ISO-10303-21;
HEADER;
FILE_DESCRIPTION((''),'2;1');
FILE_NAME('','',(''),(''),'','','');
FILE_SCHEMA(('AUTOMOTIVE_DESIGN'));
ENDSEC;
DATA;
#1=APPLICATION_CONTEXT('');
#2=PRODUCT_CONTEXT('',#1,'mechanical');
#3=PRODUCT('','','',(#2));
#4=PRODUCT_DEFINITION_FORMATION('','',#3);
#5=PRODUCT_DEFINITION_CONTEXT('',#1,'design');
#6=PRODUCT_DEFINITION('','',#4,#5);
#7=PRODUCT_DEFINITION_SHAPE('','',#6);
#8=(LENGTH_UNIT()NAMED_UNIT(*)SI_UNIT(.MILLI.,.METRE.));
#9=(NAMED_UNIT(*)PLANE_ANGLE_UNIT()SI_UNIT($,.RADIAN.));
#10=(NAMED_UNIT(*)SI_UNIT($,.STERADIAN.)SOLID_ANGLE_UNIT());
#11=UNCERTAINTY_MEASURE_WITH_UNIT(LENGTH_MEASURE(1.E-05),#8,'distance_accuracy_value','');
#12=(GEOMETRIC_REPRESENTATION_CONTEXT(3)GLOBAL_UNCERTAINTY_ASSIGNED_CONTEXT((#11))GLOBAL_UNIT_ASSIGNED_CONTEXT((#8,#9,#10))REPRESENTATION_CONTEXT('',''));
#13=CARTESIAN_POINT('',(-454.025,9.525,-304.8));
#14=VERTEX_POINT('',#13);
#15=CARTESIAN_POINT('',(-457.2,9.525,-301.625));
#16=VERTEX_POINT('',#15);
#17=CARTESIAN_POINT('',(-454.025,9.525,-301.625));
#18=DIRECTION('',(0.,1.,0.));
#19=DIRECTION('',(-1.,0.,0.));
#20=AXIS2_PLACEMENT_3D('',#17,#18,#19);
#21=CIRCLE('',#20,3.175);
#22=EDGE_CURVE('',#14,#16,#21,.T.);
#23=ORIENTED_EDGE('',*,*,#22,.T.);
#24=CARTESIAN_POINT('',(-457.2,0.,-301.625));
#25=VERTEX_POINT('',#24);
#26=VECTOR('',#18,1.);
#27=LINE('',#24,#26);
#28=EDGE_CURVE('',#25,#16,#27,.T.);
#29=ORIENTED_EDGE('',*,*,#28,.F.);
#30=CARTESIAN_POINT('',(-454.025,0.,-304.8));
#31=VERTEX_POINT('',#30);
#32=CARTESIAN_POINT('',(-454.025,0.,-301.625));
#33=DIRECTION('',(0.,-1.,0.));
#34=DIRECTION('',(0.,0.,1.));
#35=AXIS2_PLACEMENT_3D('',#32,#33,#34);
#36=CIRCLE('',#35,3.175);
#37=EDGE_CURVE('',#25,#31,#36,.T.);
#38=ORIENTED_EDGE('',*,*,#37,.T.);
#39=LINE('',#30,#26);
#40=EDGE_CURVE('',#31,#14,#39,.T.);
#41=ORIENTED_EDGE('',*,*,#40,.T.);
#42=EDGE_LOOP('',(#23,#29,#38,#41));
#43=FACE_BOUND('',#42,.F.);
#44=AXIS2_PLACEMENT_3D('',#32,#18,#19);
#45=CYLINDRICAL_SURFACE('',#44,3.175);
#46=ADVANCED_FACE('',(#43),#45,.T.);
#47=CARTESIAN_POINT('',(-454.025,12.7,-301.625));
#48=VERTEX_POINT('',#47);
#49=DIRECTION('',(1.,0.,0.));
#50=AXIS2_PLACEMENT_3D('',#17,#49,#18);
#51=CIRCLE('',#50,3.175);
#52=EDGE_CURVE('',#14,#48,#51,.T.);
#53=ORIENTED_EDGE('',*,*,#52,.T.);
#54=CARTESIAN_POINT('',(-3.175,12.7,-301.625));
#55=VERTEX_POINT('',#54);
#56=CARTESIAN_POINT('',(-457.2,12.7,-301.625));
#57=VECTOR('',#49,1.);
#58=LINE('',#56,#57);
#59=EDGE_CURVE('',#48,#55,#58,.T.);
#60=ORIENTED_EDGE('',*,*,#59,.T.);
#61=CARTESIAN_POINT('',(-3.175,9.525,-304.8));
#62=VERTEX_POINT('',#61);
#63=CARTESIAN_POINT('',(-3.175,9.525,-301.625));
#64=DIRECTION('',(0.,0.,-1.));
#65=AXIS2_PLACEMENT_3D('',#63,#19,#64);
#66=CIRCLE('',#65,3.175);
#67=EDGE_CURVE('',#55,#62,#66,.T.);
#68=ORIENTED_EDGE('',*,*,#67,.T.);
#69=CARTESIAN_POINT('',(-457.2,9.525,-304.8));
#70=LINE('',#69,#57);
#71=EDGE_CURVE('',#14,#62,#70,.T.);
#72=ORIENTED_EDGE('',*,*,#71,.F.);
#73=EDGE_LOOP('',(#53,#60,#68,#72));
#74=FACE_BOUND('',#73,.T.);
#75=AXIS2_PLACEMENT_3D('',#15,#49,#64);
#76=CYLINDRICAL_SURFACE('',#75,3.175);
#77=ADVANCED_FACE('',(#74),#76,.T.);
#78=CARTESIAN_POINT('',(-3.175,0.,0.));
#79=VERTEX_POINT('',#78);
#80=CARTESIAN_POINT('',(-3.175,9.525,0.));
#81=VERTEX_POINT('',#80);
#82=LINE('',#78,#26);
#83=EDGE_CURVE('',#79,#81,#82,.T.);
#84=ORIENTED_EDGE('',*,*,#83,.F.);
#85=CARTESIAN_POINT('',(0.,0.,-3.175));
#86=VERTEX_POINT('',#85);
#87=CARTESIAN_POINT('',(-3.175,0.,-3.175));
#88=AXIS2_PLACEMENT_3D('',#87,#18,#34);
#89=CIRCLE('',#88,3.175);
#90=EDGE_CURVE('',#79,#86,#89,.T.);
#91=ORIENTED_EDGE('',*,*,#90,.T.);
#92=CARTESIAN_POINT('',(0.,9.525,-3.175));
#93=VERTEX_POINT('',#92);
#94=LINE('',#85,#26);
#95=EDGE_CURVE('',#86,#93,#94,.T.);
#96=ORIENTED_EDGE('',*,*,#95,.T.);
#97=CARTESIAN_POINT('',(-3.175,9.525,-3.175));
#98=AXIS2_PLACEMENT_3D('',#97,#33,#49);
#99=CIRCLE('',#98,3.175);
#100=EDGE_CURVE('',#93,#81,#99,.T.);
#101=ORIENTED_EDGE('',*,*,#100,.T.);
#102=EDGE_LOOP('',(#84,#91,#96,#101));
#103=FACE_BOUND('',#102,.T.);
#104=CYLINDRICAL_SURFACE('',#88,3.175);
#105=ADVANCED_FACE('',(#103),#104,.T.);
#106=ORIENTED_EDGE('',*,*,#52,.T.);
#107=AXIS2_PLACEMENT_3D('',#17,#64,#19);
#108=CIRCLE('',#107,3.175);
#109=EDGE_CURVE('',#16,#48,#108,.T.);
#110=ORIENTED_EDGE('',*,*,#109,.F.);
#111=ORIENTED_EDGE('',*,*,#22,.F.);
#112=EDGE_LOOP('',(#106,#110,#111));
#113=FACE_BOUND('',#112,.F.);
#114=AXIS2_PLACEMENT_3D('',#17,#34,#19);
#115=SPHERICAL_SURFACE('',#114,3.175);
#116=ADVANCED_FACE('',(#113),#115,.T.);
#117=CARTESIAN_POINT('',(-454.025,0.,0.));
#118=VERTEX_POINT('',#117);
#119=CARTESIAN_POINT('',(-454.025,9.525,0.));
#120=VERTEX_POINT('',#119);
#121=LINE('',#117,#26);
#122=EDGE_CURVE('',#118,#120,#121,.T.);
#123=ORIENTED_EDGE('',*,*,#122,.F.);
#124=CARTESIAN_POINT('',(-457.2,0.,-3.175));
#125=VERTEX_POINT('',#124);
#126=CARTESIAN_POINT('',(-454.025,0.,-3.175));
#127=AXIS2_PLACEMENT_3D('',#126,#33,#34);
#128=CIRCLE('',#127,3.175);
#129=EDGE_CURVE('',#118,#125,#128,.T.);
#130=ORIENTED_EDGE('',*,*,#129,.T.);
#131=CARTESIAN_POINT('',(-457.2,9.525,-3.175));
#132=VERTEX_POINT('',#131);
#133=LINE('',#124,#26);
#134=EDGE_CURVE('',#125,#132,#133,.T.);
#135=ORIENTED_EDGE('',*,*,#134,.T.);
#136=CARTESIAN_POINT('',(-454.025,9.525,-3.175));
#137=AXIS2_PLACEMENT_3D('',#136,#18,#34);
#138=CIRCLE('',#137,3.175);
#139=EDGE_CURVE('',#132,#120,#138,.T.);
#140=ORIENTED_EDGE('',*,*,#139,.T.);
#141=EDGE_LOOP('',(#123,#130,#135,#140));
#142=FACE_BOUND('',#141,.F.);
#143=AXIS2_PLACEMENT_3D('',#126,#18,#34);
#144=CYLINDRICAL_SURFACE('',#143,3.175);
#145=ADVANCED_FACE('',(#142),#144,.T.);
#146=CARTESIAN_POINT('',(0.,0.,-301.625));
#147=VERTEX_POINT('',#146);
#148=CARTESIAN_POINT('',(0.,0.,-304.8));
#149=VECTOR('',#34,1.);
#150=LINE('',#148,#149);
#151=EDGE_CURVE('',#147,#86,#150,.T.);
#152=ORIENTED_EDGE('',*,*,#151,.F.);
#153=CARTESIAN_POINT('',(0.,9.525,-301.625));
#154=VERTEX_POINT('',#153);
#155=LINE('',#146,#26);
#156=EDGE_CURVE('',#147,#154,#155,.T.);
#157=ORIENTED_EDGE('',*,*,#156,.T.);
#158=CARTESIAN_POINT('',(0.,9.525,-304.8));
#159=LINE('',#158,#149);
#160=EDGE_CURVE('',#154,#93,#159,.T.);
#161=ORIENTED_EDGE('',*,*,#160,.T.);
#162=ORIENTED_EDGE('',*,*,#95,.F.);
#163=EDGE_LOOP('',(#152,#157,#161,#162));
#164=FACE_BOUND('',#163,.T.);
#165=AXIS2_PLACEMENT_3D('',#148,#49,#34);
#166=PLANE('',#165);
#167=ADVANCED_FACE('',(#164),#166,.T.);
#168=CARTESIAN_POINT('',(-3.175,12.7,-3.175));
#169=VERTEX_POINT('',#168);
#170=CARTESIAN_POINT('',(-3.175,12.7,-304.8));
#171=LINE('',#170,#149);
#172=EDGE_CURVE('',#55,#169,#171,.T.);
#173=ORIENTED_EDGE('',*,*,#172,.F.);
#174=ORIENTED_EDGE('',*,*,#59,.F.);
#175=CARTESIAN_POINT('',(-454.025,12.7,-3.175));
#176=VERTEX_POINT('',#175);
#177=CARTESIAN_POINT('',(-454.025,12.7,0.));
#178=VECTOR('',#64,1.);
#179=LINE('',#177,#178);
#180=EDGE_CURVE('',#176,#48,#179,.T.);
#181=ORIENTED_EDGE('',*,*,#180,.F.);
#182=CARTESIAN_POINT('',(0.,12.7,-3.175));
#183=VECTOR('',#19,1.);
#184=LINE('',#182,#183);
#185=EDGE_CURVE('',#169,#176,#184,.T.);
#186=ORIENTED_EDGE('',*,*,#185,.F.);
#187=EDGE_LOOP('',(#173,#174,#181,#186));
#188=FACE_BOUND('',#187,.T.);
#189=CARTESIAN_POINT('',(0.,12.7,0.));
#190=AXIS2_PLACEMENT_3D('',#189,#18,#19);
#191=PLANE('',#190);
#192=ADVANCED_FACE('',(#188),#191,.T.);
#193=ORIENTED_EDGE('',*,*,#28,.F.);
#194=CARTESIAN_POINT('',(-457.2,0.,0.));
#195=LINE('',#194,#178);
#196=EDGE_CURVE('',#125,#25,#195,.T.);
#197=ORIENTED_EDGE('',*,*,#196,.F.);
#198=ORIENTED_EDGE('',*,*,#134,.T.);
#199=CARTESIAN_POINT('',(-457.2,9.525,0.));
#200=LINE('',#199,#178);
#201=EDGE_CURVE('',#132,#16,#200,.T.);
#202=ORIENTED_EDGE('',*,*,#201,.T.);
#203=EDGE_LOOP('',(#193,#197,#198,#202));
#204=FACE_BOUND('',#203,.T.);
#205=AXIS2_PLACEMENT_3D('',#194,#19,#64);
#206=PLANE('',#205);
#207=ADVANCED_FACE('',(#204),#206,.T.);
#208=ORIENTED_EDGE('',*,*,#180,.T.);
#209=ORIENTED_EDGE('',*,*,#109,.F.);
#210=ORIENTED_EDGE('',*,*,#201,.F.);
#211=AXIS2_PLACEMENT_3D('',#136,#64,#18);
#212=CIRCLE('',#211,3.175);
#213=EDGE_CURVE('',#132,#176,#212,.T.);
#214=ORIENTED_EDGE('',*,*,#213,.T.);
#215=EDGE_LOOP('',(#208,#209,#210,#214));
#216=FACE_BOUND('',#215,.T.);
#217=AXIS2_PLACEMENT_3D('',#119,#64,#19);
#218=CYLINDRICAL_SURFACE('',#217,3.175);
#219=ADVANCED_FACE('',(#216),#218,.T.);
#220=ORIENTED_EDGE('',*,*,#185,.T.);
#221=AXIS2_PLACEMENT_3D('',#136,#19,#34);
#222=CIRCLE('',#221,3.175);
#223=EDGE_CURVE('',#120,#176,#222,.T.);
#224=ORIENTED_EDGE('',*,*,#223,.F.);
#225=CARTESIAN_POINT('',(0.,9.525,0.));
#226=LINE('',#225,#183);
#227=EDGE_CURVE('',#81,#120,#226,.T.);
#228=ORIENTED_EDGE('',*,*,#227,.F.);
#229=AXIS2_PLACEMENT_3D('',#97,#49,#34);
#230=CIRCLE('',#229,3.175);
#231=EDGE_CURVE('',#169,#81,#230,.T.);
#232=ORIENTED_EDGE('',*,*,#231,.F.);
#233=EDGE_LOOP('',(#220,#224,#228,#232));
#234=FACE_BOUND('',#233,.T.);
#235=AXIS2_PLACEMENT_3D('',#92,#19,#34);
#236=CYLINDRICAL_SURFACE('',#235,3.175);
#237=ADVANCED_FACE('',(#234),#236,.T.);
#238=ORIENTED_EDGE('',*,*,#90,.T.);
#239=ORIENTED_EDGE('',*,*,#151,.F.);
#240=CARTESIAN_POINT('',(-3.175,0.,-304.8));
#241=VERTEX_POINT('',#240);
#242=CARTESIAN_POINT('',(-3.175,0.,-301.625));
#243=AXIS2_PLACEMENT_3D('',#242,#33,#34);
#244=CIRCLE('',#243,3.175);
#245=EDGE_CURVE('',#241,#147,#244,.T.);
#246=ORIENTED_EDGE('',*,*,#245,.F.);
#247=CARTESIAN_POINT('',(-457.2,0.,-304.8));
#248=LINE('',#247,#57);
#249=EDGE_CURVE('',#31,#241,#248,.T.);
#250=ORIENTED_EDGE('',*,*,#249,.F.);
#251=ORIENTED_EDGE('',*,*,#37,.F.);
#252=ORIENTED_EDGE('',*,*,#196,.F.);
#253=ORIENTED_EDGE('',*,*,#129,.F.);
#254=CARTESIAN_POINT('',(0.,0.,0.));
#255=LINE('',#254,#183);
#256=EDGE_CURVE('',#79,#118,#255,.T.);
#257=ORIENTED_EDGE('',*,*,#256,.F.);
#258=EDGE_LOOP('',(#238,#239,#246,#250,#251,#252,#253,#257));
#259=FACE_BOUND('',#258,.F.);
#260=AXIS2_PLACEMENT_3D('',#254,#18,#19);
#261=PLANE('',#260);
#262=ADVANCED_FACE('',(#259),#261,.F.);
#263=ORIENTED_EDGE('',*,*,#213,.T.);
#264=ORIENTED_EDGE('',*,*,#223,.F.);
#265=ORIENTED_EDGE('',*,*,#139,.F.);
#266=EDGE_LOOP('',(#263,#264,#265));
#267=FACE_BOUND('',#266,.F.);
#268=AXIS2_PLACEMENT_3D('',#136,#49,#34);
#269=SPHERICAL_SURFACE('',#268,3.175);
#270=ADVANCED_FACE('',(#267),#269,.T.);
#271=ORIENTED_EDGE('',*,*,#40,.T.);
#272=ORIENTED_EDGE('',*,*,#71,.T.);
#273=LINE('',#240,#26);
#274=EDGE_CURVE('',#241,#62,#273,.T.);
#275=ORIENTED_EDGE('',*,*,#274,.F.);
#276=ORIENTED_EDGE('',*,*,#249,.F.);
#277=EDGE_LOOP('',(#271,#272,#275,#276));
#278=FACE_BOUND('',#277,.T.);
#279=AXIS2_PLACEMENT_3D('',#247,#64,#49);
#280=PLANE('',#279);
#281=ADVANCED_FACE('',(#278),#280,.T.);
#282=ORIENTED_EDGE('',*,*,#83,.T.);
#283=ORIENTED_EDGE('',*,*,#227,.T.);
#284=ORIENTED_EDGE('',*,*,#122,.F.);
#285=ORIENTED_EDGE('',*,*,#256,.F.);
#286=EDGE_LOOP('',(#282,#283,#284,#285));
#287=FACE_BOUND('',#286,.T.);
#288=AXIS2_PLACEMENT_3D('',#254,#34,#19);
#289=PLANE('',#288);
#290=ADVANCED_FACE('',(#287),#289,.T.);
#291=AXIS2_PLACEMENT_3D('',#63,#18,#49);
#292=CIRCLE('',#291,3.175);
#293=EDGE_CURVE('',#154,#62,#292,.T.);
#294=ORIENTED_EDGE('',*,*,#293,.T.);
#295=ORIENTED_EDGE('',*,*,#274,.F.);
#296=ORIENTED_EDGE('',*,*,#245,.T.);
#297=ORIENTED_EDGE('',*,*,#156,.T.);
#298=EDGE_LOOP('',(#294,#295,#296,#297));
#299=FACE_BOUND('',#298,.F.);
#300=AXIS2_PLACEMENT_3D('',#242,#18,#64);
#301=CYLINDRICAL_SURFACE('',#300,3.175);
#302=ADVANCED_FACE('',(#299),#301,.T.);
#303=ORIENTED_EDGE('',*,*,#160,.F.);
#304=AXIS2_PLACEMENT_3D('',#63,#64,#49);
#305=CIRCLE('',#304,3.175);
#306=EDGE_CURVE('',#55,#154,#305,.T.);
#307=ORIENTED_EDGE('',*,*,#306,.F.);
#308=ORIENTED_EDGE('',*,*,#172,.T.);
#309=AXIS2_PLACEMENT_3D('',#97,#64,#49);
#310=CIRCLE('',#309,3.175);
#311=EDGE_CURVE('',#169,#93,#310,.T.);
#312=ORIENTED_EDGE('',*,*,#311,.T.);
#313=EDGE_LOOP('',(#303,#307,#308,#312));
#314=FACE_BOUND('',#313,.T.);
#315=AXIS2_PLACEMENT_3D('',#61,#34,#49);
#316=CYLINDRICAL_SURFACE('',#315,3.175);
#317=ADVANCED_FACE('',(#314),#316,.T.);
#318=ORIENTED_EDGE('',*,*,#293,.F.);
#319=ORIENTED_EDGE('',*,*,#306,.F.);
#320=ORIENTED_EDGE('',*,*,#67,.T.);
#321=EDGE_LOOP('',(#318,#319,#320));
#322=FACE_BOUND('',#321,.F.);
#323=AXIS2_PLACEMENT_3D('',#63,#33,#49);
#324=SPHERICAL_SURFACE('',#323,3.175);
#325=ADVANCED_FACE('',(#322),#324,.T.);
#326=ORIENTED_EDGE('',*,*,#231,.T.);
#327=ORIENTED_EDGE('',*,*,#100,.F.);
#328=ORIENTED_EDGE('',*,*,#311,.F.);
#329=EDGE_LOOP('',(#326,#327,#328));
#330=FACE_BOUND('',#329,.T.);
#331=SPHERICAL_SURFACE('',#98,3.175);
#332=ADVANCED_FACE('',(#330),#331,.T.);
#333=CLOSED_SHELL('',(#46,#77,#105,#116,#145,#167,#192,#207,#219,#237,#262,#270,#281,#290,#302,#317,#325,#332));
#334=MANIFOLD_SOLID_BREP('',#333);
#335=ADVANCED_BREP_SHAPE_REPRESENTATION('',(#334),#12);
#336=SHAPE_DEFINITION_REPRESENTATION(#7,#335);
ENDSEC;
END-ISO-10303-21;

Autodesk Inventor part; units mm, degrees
ref_plane "YZ Plane" through (0, 0, 0) normal (1, 0, 0) x (0, 1, 0)
ref_plane "XZ Plane" through (0, 0, 0) normal (0, 1, 0) x (-1, 0, 0)
ref_plane "XY Plane" through (0, 0, 0) normal (0, 0, 1) x (1, 0, 0)
sketch "Sketch1" plane through (0, 0, 0) normal (0, 1, 0) x (-1, 0, 0)
  line L0 (0, 0) -> (457.2, 0)
  line L1 (457.2, 0) -> (457.2, -304.8)
  line L2 (457.2, -304.8) -> (0, -304.8)
  line L3 (0, -304.8) -> (0, 0)
  dimension "d0" = 304.8
  dimension "d1" = 457.2
extrude "Extrusion1" add sketch "Sketch1" along normal blind 12.7
fillet "Fillet1" radius 3.175 8 edges at (0, 6.35, 0) (0, 6.35, -304.8) (0, 12.7, -152.4) (-228.6, 12.7, 0) (-457.2, 6.35, 0) (-457.2, 12.7, -152.4) (-457.2, 6.35, -304.8) (-228.6, 12.7, -304.8)
properties part number "Base"
